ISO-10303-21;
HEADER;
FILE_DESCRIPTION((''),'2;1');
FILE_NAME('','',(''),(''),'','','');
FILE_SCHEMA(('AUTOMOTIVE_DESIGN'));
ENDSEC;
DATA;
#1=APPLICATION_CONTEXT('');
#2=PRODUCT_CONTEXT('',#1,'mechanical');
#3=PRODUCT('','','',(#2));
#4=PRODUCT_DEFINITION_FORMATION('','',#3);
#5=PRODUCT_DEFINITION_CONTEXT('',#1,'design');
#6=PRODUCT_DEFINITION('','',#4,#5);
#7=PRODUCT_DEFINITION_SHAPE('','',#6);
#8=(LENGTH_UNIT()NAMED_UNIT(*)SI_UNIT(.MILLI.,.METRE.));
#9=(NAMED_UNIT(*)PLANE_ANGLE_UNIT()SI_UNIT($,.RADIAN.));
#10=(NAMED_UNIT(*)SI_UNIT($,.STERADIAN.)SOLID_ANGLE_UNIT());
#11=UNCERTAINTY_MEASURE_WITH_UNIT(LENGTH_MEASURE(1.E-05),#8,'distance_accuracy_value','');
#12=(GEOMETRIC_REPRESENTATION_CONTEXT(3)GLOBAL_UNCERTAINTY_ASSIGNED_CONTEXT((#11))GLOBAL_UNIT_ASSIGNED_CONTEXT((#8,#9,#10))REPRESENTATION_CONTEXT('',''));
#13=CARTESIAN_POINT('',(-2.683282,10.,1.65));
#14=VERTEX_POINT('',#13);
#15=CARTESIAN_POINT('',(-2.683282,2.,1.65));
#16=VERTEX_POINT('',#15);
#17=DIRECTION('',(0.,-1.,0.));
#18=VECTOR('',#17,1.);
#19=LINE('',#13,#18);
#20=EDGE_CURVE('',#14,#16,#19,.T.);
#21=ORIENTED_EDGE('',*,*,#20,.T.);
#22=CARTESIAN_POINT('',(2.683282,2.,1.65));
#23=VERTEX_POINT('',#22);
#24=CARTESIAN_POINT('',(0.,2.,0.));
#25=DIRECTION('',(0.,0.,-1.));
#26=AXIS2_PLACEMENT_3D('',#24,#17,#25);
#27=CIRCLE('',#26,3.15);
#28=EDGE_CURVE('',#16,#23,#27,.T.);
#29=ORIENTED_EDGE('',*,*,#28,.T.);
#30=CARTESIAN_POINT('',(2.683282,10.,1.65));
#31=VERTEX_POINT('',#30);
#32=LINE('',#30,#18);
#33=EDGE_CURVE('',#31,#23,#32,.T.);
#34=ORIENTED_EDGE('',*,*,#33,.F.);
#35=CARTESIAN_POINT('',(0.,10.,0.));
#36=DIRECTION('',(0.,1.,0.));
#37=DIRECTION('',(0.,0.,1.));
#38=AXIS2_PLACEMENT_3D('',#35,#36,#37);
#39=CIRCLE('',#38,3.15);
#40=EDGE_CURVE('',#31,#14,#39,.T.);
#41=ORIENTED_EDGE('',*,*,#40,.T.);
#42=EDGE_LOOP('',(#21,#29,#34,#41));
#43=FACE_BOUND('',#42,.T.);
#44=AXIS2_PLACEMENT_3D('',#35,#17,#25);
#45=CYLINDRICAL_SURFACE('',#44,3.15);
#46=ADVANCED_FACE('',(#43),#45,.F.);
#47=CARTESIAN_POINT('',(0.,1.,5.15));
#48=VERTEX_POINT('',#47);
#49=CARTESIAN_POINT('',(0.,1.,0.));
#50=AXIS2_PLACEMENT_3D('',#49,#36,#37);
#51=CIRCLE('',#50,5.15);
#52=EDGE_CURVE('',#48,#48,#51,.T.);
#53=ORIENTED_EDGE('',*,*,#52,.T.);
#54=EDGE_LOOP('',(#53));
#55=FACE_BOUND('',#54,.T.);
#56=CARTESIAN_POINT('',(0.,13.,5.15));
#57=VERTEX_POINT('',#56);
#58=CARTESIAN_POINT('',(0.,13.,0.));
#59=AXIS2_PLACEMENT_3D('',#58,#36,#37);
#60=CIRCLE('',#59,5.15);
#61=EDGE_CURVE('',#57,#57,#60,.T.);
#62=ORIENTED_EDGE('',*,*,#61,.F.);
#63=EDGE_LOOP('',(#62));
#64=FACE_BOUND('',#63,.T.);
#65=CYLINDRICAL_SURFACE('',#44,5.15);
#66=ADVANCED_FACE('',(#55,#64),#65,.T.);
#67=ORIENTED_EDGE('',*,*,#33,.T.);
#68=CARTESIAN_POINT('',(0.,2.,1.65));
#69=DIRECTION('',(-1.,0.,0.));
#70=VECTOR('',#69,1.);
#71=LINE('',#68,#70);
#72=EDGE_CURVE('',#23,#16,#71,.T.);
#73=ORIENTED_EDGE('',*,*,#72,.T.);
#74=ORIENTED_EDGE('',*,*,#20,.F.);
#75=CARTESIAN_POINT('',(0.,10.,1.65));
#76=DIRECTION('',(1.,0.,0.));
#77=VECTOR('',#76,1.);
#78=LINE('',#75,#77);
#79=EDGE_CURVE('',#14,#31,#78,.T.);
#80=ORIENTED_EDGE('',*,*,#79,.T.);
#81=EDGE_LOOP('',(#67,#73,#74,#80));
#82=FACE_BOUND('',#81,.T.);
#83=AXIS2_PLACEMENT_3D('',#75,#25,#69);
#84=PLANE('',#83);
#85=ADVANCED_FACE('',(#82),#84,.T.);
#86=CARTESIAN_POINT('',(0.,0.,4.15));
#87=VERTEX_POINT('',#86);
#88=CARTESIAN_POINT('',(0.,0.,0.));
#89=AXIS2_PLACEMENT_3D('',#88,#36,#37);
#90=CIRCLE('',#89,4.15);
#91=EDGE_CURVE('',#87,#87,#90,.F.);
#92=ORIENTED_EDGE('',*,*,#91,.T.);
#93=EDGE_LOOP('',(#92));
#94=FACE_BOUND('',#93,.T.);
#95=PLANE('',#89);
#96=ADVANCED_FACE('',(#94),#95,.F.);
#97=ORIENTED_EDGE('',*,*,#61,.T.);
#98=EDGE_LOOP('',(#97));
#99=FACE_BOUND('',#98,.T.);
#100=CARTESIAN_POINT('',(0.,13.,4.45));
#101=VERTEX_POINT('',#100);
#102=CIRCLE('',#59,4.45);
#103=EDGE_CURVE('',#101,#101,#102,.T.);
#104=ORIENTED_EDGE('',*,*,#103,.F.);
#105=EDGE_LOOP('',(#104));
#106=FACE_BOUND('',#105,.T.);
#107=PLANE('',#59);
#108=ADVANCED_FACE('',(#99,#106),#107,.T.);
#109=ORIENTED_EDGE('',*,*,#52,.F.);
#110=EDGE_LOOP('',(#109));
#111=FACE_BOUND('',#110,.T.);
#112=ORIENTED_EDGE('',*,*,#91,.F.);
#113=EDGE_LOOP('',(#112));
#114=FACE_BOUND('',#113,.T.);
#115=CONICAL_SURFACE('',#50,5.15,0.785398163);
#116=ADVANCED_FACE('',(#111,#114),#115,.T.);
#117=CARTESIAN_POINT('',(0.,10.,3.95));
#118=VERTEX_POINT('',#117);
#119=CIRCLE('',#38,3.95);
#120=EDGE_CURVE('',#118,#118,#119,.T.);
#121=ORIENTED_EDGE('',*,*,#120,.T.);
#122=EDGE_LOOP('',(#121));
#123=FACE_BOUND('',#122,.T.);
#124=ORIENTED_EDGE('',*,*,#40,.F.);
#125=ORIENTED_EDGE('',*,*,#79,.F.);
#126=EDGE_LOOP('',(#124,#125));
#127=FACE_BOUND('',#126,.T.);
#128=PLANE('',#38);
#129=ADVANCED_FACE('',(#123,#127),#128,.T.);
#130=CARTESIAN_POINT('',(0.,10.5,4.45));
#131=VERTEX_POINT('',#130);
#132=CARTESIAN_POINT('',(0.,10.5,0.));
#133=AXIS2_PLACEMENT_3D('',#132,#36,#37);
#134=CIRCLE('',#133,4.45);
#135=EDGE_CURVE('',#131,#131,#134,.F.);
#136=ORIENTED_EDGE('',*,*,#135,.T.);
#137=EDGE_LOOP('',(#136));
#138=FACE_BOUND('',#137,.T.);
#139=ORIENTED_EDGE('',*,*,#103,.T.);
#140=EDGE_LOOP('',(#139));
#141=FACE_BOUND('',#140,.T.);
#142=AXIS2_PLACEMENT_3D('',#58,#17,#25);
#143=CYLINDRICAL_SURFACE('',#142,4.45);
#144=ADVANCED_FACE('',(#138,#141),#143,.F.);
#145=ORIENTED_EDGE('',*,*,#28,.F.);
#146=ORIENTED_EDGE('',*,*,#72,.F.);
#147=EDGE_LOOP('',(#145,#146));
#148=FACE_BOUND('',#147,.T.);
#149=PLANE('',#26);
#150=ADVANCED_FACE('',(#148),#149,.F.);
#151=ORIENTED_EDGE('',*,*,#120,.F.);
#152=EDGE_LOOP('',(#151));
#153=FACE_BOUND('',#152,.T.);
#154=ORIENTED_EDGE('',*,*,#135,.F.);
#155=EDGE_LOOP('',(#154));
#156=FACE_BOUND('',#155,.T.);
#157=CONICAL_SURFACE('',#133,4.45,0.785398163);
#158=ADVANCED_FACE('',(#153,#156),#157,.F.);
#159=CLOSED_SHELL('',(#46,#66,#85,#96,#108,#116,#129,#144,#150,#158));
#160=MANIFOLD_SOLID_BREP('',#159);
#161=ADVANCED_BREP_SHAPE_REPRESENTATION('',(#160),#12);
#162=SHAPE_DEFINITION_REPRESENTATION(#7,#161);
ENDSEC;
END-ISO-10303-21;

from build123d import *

# Parameters (mm, degrees)
SKETCH1_R           = 5.15
BOSS_EXTRUDE1_DEPTH = 10
SKETCH2_R           = 5.15
BOSS_EXTRUDE2_DEPTH = 2
SKETCH4_R           = 5.15
SKETCH4_R_2         = 4.45
BOSS_EXTRUDE3_DEPTH = 3
CHAMFER1_SIZE       = 1
CHAMFER2_SIZE       = 0.5


with BuildPart() as part:
    # Sketch1 → Boss-Extrude1 (new body)
    with BuildSketch(Plane(origin=(0, 0, 0), x_dir=(1, 0, 0), z_dir=(0, 1, 0))):
        with Locations(Location((0, 0, 0), (0, 0, 270))):
            Circle(SKETCH1_R)
        with BuildLine():
            Line((2.683281573, -1.65), (-2.683281573, -1.65))
            ThreePointArc((-2.683281573, -1.65), (0, 3.15), (2.683281573, -1.65))
        make_face(mode=Mode.SUBTRACT)
    extrude(amount=BOSS_EXTRUDE1_DEPTH)

    # Sketch2 → Boss-Extrude2 (add)
    with BuildSketch(Plane.XZ):
        with Locations(Location((0, 0, 0), (0, 0, 90))):
            Circle(SKETCH2_R)
    extrude(amount=-BOSS_EXTRUDE2_DEPTH)

    # Sketch4 → Boss-Extrude3 (add)
    with BuildSketch(Plane(origin=(0, 10, 0), x_dir=(1, 0, 0), z_dir=(0, 1, 0))):
        with Locations(Location((0, 0, 0), (0, 0, 270))):
            Circle(SKETCH4_R)
        with Locations(Location((0, 0, 0), (0, 0, 270))):
            Circle(SKETCH4_R_2, mode=Mode.SUBTRACT)
    extrude(amount=BOSS_EXTRUDE3_DEPTH)

    # Chamfer1
    chamfer1_edges = [part.edges().sort_by_distance(p)[0] for p in [
        (0, 0, -5.15),
    ]]
    chamfer(chamfer1_edges, length=CHAMFER1_SIZE)

    # Chamfer2
    chamfer2_edges = [part.edges().sort_by_distance(p)[0] for p in [
        (0, 10, -4.45),
    ]]
    chamfer(chamfer2_edges, length=CHAMFER2_SIZE)


solid = part.part
